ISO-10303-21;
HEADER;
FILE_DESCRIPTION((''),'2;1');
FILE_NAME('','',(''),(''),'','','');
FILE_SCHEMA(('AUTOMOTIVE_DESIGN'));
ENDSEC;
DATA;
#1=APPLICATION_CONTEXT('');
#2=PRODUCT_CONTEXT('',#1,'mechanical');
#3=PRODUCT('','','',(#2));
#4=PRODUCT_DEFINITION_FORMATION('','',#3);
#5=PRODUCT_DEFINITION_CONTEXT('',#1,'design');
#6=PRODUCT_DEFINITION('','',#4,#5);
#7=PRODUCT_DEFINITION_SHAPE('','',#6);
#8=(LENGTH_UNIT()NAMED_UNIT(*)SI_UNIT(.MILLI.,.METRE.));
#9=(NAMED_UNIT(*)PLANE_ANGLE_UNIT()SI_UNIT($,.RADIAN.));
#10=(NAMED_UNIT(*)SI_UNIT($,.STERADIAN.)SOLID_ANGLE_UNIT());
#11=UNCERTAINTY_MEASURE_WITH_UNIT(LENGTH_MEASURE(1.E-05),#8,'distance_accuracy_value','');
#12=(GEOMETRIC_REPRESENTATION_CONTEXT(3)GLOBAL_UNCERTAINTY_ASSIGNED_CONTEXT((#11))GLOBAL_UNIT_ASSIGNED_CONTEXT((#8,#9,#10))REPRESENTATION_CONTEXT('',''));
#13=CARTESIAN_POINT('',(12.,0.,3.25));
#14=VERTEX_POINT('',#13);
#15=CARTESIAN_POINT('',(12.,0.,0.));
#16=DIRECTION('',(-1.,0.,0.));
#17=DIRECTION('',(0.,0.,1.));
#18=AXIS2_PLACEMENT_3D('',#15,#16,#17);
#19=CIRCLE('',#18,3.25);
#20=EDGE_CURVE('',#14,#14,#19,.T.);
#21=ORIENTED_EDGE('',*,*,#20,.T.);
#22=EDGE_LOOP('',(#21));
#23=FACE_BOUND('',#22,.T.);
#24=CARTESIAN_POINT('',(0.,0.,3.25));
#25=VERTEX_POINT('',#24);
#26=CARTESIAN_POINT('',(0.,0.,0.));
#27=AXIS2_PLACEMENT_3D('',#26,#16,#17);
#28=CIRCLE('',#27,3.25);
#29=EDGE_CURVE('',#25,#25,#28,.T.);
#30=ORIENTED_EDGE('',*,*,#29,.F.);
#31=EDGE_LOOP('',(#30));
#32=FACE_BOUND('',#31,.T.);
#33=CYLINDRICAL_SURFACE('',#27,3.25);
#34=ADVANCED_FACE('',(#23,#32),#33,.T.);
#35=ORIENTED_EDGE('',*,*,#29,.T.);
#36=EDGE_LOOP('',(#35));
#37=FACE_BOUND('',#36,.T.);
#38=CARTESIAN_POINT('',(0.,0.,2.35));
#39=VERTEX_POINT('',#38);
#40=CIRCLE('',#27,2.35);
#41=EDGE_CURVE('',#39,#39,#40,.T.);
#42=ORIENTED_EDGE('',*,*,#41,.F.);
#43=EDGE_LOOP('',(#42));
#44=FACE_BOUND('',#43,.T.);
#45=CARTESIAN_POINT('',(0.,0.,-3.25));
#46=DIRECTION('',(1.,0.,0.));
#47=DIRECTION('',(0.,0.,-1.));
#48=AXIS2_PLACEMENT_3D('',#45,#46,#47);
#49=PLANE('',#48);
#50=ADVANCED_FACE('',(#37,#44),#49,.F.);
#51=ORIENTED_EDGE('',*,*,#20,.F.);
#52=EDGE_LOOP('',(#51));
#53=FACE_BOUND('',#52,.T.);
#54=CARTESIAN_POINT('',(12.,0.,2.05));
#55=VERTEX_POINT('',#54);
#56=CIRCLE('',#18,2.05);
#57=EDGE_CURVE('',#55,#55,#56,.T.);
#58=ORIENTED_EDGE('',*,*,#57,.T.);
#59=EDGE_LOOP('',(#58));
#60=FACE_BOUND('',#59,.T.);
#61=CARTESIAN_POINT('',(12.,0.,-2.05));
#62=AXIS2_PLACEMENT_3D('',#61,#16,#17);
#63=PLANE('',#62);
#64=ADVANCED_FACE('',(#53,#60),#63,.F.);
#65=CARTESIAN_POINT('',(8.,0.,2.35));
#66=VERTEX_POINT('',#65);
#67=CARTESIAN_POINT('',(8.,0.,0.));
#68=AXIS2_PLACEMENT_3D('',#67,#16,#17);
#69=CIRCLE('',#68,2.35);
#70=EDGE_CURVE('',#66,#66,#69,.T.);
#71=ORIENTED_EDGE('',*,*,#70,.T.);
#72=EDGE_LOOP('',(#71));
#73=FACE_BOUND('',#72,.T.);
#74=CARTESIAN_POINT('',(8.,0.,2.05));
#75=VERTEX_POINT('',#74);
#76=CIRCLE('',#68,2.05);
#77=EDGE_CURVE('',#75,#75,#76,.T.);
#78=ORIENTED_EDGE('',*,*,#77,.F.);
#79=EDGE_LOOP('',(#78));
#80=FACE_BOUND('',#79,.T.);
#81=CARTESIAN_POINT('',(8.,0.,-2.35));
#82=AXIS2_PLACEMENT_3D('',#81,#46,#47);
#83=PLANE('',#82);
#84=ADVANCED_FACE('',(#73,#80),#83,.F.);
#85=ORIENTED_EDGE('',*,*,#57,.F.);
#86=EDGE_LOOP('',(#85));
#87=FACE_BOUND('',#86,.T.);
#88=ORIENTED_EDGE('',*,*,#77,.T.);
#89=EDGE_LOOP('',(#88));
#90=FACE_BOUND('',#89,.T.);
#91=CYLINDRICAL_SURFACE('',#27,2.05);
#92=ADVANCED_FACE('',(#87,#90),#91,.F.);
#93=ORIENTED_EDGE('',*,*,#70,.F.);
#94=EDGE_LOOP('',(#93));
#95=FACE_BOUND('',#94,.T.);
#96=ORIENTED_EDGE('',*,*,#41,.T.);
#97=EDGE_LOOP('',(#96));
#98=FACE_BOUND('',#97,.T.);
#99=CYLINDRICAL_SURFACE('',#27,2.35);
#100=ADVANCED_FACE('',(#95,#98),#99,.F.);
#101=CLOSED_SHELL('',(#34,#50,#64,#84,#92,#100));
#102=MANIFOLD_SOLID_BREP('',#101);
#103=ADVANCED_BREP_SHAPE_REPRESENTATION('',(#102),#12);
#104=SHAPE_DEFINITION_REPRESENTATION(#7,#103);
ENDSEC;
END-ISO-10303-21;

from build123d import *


with BuildPart() as part:
    # Esboço1 → Revolução1 (revolve)
    with BuildSketch(Plane(origin=(0, 0, 0), x_dir=(1, 0, 0), z_dir=(0, 1, 0)), mode=Mode.PRIVATE) as revolu_o1_sk:
        Polygon((12, 2.05), (12, 3.25), (0, 3.25), (0, 2.35), (8, 2.35), (8, 2.05), align=None)
    revolve(revolu_o1_sk.sketch.rotate(Axis((0, 0, 0), (1, 0, 0)), 180), axis=Axis((0, 0, 0), (1, 0, 0)))


solid = part.part
